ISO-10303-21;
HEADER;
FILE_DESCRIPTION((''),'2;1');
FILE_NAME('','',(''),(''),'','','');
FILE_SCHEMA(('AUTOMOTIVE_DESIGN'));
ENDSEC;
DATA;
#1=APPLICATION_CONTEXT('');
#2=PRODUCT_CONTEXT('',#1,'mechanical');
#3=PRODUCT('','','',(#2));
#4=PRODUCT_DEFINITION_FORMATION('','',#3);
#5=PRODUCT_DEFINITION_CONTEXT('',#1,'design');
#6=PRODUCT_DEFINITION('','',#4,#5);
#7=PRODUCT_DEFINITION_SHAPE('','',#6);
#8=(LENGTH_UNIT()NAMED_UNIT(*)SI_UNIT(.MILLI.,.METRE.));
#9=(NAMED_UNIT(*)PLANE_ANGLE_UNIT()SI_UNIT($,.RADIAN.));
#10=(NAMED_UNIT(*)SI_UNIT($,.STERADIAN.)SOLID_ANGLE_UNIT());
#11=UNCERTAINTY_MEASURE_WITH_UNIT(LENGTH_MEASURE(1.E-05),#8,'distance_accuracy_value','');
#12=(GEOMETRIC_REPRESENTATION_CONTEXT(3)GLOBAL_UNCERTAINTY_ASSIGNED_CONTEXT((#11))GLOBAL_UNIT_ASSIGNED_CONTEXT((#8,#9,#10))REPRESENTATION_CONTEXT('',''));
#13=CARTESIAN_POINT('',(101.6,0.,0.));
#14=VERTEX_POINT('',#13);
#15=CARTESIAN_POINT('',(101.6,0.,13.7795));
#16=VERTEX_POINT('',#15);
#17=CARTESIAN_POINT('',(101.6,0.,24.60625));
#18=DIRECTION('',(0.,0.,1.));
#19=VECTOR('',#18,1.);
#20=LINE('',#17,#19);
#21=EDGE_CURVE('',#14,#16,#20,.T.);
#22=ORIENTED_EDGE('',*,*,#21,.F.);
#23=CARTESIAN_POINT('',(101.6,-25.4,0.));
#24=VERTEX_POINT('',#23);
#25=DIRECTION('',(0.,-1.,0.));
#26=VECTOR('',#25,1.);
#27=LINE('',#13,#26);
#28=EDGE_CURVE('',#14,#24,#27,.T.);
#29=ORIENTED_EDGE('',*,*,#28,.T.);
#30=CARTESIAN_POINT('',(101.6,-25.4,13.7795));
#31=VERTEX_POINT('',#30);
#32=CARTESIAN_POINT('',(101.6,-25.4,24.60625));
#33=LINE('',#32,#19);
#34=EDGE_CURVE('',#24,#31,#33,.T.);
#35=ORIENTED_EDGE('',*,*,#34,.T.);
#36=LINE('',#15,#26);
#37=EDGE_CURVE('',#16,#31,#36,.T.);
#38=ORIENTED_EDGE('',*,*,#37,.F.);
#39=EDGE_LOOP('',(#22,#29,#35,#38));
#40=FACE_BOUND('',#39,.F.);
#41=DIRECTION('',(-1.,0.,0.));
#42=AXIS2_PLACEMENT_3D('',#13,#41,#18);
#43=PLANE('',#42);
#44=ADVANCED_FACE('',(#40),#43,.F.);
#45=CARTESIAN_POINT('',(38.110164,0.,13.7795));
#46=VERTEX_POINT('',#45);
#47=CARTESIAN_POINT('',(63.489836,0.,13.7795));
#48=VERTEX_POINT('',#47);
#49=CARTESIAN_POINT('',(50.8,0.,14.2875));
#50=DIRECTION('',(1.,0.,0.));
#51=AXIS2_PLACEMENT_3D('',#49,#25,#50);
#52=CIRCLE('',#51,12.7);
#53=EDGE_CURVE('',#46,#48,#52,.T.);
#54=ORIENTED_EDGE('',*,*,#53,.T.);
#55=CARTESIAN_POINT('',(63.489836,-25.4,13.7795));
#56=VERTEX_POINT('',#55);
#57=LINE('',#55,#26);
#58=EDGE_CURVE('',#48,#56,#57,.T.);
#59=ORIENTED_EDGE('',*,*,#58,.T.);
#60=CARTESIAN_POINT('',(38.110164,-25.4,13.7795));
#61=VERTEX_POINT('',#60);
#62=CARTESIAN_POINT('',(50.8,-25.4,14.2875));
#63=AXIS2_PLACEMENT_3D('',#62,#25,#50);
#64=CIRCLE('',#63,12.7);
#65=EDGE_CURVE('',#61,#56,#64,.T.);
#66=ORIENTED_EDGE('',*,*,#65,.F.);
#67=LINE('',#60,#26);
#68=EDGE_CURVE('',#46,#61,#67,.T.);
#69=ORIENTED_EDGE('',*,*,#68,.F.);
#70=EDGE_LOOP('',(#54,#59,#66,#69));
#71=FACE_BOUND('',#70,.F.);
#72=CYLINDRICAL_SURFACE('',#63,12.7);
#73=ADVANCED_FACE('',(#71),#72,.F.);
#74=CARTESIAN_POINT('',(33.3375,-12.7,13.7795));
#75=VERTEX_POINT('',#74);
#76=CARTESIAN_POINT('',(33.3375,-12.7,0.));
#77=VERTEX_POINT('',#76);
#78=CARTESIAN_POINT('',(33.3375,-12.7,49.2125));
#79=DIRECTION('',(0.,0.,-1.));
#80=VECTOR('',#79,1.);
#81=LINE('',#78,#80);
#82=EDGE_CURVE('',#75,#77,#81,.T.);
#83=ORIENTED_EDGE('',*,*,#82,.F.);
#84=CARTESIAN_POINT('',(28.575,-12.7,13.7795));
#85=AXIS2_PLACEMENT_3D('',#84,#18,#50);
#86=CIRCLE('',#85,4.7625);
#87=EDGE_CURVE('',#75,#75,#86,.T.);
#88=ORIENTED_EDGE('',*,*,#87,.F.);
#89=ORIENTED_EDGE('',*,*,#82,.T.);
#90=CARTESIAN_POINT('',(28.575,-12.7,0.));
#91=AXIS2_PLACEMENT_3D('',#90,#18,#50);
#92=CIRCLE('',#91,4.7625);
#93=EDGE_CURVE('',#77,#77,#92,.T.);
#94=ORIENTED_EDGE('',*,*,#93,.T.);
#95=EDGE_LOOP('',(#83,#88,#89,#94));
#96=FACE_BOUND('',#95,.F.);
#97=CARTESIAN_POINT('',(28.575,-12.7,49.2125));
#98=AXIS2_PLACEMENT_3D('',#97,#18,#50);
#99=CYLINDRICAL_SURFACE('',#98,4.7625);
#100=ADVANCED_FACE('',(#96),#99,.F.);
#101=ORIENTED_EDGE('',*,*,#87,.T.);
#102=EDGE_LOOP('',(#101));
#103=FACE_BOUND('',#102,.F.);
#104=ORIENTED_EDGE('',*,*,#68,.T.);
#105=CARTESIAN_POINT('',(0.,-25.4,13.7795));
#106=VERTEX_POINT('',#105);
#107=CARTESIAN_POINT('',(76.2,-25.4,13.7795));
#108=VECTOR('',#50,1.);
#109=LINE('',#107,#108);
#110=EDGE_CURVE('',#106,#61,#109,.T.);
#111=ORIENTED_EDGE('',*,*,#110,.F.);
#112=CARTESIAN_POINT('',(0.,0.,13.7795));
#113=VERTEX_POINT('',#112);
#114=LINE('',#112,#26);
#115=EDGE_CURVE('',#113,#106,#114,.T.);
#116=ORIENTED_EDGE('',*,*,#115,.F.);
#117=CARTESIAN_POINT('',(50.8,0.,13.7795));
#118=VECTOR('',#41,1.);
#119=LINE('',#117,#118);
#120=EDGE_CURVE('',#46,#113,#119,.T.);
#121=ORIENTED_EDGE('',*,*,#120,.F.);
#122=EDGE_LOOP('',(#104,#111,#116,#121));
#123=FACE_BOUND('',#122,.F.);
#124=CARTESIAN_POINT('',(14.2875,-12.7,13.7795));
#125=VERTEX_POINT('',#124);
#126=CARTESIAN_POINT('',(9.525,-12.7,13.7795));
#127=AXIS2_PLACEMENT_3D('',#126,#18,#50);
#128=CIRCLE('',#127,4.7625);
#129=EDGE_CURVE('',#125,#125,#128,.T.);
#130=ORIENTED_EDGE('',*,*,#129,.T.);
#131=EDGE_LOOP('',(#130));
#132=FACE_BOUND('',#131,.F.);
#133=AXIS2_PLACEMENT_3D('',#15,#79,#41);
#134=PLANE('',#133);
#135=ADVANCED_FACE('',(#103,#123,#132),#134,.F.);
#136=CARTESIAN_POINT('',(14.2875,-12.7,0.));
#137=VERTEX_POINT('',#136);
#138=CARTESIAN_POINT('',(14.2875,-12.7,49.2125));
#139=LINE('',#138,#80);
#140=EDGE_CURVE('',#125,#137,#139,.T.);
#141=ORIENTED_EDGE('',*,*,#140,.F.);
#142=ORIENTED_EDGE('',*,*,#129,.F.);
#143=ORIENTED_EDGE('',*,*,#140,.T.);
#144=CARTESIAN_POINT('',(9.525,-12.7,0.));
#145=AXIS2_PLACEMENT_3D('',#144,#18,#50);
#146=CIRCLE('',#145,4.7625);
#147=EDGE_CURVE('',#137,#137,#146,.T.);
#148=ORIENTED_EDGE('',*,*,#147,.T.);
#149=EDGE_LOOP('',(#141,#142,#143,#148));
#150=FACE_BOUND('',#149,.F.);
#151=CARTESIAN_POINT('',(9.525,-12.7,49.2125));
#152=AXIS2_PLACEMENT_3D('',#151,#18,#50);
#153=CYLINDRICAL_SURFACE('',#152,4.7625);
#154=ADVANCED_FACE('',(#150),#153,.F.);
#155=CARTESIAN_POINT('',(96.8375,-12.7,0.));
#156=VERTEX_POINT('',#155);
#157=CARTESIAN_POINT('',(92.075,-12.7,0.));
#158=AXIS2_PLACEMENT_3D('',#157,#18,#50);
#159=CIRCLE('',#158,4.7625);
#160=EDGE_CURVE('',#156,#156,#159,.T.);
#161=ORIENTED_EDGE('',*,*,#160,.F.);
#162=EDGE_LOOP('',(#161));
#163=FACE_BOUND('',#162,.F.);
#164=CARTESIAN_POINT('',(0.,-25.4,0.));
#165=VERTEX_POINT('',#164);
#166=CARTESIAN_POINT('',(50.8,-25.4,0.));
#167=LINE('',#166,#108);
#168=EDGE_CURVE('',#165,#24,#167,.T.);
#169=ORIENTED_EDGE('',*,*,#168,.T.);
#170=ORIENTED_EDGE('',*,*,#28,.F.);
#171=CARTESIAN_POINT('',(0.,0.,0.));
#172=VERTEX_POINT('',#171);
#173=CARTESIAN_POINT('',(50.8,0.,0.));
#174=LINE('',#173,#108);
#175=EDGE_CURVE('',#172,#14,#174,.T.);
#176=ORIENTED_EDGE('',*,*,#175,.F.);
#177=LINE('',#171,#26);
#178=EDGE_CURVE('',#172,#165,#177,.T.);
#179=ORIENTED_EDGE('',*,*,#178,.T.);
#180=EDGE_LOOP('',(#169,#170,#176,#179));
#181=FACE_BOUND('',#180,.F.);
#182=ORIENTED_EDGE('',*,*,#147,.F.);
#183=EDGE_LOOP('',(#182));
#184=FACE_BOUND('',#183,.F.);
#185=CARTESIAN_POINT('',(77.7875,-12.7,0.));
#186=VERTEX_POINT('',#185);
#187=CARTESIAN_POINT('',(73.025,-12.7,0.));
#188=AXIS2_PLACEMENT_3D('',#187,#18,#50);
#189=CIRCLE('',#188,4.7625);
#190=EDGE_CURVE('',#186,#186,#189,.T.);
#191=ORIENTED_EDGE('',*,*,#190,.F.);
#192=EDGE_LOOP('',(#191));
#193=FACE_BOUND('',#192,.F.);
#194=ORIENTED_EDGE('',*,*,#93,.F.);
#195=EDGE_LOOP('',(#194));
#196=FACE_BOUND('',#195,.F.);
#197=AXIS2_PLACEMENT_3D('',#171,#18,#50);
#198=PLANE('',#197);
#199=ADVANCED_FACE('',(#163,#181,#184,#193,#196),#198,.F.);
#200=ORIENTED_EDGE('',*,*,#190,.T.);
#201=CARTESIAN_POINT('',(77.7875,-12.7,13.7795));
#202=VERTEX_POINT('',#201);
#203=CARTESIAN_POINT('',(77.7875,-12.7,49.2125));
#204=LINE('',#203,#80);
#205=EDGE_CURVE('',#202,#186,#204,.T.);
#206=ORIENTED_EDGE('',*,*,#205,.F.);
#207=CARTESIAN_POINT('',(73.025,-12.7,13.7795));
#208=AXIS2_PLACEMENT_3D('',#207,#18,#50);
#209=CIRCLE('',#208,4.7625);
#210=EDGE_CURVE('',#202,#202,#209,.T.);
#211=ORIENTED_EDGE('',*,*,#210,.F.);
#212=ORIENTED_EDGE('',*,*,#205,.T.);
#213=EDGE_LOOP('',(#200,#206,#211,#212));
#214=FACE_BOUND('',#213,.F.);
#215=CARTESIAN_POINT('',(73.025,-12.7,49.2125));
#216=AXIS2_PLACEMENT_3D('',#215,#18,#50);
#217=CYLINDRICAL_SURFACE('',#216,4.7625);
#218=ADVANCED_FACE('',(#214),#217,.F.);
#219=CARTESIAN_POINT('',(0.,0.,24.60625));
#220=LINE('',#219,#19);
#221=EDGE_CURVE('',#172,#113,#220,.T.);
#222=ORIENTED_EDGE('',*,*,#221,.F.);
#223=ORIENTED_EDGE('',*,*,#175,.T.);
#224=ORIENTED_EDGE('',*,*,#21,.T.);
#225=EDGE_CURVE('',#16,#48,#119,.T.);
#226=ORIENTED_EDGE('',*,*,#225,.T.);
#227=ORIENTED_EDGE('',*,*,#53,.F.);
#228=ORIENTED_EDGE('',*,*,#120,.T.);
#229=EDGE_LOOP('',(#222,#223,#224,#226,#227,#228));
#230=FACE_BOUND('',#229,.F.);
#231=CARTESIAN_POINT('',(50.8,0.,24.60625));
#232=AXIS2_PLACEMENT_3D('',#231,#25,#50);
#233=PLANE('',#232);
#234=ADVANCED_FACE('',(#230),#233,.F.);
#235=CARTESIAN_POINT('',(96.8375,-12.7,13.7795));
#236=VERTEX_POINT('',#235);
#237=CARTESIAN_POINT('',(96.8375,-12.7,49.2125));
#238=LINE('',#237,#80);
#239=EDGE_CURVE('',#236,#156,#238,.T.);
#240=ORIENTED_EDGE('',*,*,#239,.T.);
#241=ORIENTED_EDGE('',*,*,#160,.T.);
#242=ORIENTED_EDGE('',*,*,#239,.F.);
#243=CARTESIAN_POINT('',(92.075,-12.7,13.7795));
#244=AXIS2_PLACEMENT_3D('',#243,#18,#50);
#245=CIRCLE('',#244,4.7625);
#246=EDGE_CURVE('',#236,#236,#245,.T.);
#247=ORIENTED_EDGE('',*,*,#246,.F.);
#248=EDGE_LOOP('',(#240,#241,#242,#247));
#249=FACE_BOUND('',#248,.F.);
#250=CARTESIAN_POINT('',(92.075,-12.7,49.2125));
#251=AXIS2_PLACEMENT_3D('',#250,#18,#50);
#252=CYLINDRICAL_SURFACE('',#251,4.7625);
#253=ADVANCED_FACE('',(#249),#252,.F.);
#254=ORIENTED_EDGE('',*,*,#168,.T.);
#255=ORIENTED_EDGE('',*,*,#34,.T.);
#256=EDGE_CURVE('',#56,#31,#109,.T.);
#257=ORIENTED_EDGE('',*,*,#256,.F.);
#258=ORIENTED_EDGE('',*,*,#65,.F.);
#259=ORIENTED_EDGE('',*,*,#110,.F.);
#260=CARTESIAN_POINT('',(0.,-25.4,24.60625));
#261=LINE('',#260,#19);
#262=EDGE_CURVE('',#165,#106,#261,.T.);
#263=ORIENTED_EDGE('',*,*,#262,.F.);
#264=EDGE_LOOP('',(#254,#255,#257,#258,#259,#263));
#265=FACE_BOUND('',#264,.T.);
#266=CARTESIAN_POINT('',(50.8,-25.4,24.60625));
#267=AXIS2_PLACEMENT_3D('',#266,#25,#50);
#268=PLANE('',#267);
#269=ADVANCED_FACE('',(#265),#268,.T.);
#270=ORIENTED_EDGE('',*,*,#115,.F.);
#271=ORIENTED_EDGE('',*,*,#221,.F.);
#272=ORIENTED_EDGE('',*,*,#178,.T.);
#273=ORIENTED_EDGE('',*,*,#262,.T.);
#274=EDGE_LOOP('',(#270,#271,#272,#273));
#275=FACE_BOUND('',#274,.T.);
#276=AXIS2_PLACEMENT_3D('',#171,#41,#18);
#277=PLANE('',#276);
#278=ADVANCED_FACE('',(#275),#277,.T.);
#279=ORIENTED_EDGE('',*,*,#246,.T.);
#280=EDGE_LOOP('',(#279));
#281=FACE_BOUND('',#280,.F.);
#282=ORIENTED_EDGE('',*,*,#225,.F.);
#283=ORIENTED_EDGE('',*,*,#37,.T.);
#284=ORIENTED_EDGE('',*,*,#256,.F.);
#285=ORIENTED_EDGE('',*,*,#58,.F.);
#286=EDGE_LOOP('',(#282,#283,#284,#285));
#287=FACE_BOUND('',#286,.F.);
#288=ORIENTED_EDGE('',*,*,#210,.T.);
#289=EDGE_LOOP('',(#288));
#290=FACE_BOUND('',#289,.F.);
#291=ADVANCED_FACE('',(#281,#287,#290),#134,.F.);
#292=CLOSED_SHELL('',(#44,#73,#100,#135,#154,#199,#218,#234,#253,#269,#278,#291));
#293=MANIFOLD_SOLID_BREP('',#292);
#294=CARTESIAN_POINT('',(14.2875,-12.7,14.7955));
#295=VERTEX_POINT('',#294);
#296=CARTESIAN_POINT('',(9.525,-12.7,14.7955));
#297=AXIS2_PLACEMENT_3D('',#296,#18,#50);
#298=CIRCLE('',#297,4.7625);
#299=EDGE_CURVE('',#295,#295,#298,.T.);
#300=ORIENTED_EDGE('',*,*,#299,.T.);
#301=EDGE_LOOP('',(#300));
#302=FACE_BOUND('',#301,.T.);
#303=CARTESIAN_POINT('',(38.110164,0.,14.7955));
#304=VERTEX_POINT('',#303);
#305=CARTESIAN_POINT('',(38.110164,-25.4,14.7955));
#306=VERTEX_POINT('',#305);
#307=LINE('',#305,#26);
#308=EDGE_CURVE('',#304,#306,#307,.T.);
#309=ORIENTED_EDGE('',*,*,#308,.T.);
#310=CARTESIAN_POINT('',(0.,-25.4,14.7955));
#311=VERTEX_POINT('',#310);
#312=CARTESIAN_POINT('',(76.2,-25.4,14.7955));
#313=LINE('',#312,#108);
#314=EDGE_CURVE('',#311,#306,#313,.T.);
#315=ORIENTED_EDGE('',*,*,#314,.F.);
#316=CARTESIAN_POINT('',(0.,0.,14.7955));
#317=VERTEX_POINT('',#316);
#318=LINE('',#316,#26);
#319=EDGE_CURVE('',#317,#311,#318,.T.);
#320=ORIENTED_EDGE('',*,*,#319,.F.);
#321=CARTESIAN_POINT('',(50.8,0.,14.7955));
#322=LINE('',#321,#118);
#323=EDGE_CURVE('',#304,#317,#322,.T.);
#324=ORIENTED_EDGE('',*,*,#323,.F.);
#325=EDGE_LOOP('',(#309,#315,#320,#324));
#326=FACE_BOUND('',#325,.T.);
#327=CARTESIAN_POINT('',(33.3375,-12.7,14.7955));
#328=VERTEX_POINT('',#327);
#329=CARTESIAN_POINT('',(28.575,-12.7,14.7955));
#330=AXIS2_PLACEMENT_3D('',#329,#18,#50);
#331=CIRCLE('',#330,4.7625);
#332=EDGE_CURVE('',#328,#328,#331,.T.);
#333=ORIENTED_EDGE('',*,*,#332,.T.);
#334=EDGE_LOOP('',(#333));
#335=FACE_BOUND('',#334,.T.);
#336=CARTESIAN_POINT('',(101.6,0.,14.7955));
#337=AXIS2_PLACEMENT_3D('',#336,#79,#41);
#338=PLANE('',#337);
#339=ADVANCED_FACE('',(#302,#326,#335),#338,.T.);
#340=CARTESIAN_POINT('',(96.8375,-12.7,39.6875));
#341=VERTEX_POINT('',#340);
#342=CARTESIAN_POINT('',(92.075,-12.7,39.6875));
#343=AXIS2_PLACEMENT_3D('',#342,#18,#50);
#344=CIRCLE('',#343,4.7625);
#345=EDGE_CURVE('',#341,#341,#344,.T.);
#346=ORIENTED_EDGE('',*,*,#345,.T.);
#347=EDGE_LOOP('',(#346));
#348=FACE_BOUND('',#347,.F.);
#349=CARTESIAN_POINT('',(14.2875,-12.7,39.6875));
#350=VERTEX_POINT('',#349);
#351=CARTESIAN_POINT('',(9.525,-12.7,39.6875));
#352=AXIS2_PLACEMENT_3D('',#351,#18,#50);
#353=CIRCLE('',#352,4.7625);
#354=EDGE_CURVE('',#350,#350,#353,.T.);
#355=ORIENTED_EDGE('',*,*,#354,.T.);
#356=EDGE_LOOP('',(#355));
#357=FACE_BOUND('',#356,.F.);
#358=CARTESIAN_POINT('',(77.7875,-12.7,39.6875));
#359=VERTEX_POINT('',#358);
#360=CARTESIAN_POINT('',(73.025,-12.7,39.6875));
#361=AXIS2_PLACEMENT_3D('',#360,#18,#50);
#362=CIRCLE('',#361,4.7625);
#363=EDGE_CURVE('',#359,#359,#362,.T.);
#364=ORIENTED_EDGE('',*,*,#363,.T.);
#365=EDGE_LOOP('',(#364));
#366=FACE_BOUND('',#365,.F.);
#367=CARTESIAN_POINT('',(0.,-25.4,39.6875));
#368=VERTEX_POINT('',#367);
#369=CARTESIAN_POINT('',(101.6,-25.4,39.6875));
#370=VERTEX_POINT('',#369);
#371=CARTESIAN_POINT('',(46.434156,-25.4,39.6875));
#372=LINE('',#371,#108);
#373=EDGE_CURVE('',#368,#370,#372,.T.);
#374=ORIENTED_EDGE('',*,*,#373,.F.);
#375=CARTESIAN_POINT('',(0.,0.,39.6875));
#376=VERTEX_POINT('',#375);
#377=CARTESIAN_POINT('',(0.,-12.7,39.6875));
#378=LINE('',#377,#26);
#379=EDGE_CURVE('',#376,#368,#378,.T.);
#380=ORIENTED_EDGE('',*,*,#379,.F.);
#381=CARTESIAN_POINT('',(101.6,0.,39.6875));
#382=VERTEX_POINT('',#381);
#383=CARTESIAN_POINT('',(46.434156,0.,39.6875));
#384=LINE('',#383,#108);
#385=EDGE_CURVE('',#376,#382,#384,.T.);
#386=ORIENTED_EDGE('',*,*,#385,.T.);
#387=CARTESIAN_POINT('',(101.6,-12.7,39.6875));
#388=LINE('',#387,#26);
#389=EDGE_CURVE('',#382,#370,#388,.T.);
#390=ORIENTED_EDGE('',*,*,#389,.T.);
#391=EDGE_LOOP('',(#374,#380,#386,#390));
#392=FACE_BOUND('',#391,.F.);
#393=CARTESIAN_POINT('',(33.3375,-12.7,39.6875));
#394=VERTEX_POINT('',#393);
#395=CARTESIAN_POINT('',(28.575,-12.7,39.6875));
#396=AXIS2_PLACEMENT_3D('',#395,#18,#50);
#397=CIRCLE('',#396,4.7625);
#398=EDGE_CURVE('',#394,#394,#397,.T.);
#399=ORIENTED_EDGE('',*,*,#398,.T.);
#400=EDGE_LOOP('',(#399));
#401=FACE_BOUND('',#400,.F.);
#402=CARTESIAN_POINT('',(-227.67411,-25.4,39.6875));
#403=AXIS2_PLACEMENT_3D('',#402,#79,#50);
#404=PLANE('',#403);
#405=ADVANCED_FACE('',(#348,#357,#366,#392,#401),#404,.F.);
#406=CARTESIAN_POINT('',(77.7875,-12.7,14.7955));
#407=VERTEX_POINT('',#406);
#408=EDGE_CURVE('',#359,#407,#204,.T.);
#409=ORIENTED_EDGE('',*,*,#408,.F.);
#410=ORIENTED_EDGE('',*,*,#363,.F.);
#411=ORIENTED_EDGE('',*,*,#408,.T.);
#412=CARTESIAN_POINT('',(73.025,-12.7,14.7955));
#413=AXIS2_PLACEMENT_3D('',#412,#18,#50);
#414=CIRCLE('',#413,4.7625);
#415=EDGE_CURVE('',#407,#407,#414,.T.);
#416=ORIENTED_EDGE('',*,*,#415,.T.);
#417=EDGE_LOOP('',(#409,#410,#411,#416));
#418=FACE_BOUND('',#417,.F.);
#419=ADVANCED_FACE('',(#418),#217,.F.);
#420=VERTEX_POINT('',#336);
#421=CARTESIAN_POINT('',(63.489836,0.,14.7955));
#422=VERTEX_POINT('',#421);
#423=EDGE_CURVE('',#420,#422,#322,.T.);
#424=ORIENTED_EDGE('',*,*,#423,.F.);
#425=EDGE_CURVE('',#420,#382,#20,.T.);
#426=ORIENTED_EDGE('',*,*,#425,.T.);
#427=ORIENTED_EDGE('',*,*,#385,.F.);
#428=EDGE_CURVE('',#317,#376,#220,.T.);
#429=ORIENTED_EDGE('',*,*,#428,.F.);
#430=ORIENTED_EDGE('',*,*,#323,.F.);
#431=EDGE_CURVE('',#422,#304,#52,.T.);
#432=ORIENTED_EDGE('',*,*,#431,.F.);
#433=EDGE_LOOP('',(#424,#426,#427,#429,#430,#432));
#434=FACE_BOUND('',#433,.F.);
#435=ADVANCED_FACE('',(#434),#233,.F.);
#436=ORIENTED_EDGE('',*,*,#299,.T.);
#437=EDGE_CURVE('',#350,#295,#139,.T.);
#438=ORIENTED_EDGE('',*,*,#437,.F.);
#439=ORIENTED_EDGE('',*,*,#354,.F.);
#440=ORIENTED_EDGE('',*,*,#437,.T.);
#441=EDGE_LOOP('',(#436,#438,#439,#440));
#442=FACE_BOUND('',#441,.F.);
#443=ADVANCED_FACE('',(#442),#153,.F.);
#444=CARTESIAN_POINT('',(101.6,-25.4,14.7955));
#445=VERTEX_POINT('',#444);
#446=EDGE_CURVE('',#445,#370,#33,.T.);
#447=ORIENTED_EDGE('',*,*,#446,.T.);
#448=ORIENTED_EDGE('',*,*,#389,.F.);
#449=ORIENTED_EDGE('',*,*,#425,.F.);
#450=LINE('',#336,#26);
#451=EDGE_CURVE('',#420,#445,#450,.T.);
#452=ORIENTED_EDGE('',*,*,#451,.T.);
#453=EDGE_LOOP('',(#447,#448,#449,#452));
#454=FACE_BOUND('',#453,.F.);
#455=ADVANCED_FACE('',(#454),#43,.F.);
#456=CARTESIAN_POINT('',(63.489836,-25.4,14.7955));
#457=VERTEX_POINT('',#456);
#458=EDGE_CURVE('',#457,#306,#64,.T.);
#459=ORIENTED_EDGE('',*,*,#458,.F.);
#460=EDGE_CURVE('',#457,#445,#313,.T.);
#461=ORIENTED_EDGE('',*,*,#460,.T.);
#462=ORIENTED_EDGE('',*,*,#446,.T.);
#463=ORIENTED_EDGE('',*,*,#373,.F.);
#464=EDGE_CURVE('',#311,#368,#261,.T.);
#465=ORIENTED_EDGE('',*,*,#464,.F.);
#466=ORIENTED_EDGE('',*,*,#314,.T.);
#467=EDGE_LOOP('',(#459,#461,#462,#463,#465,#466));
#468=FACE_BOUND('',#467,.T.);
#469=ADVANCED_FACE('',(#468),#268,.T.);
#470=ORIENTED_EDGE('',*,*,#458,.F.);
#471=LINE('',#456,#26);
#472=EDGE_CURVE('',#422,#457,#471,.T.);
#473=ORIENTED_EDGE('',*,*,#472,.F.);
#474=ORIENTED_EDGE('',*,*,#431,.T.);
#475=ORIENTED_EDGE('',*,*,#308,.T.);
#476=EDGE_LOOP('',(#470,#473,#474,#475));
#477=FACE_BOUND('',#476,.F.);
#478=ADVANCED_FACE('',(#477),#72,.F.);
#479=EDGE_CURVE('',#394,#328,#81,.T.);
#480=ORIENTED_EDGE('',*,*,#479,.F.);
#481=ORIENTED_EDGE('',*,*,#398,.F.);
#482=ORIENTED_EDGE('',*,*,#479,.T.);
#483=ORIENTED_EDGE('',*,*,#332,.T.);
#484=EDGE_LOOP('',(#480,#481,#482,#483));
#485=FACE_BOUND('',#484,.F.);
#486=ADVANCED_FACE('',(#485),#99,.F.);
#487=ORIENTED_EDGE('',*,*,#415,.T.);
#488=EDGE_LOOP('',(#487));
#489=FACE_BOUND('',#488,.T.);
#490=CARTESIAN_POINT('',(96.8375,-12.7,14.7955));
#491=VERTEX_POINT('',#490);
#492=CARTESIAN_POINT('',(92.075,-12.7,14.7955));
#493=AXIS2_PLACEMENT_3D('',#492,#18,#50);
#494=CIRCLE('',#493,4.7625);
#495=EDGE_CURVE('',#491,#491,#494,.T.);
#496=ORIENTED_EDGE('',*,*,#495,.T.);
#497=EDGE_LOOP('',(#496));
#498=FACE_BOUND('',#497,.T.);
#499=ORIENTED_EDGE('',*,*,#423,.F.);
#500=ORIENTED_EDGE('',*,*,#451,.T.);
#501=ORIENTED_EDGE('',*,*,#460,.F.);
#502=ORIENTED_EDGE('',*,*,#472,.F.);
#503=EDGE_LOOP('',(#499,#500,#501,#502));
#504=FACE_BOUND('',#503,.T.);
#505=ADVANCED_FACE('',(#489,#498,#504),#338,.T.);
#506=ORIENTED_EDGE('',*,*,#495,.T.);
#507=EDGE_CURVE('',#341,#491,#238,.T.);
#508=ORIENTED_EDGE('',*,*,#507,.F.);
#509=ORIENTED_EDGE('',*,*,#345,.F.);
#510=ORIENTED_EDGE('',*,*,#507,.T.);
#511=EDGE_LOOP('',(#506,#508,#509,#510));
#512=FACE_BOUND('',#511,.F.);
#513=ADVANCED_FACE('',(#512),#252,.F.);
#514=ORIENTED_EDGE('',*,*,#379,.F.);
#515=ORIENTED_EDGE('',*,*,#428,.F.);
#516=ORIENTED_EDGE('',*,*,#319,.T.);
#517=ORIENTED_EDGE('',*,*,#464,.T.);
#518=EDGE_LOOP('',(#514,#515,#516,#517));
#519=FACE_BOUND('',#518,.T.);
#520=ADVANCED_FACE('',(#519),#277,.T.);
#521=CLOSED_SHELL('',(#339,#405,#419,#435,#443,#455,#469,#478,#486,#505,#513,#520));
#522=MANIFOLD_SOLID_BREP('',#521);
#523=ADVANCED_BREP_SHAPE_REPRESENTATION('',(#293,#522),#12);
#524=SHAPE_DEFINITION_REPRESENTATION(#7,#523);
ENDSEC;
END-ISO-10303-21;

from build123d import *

# Parameters (mm, degrees)
F0_W     = 101.6
F0_H     = 49.2125
F1_DEPTH = 25.4
F2_R     = 4.7625
F3_DEPTH = 50.17456
F4_R     = 12.7
F5_DEPTH = 25.401
F6_W     = 101.6
F6_H     = 1.016
F7_DEPTH = 25.401
F8_W     = 548.216532
F8_H     = 115.56996
F9_DEPTH = 25.4


with BuildPart() as f1:
    # F0 (on Front) → F1 (new body)
    with BuildSketch(Plane.XZ):
        with Locations((50.8, 24.60625)):
            Rectangle(F0_W, F0_H)
    extrude(amount=F1_DEPTH)

    # F2 (on face) → F3 (cut)
    with BuildSketch(Plane.XY.offset(49.2125)):
        with Locations((9.525, -12.7)):
            Circle(F2_R)
        with Locations((92.075, -12.7)):
            Circle(F2_R)
        with Locations((28.575, -12.7)):
            Circle(F2_R)
        with Locations((73.025, -12.7)):
            Circle(F2_R)
    extrude(amount=-F3_DEPTH, mode=Mode.SUBTRACT)

    # F4 (on face) → F5 (cut, through all)
    with BuildSketch(Plane.XZ.offset(25.4)):
        with Locations((50.8, 14.2875)):
            Circle(F4_R)
    extrude(amount=-F5_DEPTH, mode=Mode.SUBTRACT)

    # F6 (on face) → F7 (cut, through all)
    with BuildSketch(Plane(origin=(0, 0, 0), x_dir=(-1, 0, 0), z_dir=(0, 1, 0))):
        with Locations((-50.8, 14.2875)):
            Rectangle(F6_W, F6_H)
    extrude(amount=-F7_DEPTH, mode=Mode.SUBTRACT)

    # F8 (on face) → F9 (cut)
    with BuildSketch(Plane.XZ.offset(25.4)):
        with Locations((46.434156, 97.47248)):
            Rectangle(F8_W, F8_H)
    extrude(amount=-F9_DEPTH, mode=Mode.SUBTRACT)


solid = f1.part
